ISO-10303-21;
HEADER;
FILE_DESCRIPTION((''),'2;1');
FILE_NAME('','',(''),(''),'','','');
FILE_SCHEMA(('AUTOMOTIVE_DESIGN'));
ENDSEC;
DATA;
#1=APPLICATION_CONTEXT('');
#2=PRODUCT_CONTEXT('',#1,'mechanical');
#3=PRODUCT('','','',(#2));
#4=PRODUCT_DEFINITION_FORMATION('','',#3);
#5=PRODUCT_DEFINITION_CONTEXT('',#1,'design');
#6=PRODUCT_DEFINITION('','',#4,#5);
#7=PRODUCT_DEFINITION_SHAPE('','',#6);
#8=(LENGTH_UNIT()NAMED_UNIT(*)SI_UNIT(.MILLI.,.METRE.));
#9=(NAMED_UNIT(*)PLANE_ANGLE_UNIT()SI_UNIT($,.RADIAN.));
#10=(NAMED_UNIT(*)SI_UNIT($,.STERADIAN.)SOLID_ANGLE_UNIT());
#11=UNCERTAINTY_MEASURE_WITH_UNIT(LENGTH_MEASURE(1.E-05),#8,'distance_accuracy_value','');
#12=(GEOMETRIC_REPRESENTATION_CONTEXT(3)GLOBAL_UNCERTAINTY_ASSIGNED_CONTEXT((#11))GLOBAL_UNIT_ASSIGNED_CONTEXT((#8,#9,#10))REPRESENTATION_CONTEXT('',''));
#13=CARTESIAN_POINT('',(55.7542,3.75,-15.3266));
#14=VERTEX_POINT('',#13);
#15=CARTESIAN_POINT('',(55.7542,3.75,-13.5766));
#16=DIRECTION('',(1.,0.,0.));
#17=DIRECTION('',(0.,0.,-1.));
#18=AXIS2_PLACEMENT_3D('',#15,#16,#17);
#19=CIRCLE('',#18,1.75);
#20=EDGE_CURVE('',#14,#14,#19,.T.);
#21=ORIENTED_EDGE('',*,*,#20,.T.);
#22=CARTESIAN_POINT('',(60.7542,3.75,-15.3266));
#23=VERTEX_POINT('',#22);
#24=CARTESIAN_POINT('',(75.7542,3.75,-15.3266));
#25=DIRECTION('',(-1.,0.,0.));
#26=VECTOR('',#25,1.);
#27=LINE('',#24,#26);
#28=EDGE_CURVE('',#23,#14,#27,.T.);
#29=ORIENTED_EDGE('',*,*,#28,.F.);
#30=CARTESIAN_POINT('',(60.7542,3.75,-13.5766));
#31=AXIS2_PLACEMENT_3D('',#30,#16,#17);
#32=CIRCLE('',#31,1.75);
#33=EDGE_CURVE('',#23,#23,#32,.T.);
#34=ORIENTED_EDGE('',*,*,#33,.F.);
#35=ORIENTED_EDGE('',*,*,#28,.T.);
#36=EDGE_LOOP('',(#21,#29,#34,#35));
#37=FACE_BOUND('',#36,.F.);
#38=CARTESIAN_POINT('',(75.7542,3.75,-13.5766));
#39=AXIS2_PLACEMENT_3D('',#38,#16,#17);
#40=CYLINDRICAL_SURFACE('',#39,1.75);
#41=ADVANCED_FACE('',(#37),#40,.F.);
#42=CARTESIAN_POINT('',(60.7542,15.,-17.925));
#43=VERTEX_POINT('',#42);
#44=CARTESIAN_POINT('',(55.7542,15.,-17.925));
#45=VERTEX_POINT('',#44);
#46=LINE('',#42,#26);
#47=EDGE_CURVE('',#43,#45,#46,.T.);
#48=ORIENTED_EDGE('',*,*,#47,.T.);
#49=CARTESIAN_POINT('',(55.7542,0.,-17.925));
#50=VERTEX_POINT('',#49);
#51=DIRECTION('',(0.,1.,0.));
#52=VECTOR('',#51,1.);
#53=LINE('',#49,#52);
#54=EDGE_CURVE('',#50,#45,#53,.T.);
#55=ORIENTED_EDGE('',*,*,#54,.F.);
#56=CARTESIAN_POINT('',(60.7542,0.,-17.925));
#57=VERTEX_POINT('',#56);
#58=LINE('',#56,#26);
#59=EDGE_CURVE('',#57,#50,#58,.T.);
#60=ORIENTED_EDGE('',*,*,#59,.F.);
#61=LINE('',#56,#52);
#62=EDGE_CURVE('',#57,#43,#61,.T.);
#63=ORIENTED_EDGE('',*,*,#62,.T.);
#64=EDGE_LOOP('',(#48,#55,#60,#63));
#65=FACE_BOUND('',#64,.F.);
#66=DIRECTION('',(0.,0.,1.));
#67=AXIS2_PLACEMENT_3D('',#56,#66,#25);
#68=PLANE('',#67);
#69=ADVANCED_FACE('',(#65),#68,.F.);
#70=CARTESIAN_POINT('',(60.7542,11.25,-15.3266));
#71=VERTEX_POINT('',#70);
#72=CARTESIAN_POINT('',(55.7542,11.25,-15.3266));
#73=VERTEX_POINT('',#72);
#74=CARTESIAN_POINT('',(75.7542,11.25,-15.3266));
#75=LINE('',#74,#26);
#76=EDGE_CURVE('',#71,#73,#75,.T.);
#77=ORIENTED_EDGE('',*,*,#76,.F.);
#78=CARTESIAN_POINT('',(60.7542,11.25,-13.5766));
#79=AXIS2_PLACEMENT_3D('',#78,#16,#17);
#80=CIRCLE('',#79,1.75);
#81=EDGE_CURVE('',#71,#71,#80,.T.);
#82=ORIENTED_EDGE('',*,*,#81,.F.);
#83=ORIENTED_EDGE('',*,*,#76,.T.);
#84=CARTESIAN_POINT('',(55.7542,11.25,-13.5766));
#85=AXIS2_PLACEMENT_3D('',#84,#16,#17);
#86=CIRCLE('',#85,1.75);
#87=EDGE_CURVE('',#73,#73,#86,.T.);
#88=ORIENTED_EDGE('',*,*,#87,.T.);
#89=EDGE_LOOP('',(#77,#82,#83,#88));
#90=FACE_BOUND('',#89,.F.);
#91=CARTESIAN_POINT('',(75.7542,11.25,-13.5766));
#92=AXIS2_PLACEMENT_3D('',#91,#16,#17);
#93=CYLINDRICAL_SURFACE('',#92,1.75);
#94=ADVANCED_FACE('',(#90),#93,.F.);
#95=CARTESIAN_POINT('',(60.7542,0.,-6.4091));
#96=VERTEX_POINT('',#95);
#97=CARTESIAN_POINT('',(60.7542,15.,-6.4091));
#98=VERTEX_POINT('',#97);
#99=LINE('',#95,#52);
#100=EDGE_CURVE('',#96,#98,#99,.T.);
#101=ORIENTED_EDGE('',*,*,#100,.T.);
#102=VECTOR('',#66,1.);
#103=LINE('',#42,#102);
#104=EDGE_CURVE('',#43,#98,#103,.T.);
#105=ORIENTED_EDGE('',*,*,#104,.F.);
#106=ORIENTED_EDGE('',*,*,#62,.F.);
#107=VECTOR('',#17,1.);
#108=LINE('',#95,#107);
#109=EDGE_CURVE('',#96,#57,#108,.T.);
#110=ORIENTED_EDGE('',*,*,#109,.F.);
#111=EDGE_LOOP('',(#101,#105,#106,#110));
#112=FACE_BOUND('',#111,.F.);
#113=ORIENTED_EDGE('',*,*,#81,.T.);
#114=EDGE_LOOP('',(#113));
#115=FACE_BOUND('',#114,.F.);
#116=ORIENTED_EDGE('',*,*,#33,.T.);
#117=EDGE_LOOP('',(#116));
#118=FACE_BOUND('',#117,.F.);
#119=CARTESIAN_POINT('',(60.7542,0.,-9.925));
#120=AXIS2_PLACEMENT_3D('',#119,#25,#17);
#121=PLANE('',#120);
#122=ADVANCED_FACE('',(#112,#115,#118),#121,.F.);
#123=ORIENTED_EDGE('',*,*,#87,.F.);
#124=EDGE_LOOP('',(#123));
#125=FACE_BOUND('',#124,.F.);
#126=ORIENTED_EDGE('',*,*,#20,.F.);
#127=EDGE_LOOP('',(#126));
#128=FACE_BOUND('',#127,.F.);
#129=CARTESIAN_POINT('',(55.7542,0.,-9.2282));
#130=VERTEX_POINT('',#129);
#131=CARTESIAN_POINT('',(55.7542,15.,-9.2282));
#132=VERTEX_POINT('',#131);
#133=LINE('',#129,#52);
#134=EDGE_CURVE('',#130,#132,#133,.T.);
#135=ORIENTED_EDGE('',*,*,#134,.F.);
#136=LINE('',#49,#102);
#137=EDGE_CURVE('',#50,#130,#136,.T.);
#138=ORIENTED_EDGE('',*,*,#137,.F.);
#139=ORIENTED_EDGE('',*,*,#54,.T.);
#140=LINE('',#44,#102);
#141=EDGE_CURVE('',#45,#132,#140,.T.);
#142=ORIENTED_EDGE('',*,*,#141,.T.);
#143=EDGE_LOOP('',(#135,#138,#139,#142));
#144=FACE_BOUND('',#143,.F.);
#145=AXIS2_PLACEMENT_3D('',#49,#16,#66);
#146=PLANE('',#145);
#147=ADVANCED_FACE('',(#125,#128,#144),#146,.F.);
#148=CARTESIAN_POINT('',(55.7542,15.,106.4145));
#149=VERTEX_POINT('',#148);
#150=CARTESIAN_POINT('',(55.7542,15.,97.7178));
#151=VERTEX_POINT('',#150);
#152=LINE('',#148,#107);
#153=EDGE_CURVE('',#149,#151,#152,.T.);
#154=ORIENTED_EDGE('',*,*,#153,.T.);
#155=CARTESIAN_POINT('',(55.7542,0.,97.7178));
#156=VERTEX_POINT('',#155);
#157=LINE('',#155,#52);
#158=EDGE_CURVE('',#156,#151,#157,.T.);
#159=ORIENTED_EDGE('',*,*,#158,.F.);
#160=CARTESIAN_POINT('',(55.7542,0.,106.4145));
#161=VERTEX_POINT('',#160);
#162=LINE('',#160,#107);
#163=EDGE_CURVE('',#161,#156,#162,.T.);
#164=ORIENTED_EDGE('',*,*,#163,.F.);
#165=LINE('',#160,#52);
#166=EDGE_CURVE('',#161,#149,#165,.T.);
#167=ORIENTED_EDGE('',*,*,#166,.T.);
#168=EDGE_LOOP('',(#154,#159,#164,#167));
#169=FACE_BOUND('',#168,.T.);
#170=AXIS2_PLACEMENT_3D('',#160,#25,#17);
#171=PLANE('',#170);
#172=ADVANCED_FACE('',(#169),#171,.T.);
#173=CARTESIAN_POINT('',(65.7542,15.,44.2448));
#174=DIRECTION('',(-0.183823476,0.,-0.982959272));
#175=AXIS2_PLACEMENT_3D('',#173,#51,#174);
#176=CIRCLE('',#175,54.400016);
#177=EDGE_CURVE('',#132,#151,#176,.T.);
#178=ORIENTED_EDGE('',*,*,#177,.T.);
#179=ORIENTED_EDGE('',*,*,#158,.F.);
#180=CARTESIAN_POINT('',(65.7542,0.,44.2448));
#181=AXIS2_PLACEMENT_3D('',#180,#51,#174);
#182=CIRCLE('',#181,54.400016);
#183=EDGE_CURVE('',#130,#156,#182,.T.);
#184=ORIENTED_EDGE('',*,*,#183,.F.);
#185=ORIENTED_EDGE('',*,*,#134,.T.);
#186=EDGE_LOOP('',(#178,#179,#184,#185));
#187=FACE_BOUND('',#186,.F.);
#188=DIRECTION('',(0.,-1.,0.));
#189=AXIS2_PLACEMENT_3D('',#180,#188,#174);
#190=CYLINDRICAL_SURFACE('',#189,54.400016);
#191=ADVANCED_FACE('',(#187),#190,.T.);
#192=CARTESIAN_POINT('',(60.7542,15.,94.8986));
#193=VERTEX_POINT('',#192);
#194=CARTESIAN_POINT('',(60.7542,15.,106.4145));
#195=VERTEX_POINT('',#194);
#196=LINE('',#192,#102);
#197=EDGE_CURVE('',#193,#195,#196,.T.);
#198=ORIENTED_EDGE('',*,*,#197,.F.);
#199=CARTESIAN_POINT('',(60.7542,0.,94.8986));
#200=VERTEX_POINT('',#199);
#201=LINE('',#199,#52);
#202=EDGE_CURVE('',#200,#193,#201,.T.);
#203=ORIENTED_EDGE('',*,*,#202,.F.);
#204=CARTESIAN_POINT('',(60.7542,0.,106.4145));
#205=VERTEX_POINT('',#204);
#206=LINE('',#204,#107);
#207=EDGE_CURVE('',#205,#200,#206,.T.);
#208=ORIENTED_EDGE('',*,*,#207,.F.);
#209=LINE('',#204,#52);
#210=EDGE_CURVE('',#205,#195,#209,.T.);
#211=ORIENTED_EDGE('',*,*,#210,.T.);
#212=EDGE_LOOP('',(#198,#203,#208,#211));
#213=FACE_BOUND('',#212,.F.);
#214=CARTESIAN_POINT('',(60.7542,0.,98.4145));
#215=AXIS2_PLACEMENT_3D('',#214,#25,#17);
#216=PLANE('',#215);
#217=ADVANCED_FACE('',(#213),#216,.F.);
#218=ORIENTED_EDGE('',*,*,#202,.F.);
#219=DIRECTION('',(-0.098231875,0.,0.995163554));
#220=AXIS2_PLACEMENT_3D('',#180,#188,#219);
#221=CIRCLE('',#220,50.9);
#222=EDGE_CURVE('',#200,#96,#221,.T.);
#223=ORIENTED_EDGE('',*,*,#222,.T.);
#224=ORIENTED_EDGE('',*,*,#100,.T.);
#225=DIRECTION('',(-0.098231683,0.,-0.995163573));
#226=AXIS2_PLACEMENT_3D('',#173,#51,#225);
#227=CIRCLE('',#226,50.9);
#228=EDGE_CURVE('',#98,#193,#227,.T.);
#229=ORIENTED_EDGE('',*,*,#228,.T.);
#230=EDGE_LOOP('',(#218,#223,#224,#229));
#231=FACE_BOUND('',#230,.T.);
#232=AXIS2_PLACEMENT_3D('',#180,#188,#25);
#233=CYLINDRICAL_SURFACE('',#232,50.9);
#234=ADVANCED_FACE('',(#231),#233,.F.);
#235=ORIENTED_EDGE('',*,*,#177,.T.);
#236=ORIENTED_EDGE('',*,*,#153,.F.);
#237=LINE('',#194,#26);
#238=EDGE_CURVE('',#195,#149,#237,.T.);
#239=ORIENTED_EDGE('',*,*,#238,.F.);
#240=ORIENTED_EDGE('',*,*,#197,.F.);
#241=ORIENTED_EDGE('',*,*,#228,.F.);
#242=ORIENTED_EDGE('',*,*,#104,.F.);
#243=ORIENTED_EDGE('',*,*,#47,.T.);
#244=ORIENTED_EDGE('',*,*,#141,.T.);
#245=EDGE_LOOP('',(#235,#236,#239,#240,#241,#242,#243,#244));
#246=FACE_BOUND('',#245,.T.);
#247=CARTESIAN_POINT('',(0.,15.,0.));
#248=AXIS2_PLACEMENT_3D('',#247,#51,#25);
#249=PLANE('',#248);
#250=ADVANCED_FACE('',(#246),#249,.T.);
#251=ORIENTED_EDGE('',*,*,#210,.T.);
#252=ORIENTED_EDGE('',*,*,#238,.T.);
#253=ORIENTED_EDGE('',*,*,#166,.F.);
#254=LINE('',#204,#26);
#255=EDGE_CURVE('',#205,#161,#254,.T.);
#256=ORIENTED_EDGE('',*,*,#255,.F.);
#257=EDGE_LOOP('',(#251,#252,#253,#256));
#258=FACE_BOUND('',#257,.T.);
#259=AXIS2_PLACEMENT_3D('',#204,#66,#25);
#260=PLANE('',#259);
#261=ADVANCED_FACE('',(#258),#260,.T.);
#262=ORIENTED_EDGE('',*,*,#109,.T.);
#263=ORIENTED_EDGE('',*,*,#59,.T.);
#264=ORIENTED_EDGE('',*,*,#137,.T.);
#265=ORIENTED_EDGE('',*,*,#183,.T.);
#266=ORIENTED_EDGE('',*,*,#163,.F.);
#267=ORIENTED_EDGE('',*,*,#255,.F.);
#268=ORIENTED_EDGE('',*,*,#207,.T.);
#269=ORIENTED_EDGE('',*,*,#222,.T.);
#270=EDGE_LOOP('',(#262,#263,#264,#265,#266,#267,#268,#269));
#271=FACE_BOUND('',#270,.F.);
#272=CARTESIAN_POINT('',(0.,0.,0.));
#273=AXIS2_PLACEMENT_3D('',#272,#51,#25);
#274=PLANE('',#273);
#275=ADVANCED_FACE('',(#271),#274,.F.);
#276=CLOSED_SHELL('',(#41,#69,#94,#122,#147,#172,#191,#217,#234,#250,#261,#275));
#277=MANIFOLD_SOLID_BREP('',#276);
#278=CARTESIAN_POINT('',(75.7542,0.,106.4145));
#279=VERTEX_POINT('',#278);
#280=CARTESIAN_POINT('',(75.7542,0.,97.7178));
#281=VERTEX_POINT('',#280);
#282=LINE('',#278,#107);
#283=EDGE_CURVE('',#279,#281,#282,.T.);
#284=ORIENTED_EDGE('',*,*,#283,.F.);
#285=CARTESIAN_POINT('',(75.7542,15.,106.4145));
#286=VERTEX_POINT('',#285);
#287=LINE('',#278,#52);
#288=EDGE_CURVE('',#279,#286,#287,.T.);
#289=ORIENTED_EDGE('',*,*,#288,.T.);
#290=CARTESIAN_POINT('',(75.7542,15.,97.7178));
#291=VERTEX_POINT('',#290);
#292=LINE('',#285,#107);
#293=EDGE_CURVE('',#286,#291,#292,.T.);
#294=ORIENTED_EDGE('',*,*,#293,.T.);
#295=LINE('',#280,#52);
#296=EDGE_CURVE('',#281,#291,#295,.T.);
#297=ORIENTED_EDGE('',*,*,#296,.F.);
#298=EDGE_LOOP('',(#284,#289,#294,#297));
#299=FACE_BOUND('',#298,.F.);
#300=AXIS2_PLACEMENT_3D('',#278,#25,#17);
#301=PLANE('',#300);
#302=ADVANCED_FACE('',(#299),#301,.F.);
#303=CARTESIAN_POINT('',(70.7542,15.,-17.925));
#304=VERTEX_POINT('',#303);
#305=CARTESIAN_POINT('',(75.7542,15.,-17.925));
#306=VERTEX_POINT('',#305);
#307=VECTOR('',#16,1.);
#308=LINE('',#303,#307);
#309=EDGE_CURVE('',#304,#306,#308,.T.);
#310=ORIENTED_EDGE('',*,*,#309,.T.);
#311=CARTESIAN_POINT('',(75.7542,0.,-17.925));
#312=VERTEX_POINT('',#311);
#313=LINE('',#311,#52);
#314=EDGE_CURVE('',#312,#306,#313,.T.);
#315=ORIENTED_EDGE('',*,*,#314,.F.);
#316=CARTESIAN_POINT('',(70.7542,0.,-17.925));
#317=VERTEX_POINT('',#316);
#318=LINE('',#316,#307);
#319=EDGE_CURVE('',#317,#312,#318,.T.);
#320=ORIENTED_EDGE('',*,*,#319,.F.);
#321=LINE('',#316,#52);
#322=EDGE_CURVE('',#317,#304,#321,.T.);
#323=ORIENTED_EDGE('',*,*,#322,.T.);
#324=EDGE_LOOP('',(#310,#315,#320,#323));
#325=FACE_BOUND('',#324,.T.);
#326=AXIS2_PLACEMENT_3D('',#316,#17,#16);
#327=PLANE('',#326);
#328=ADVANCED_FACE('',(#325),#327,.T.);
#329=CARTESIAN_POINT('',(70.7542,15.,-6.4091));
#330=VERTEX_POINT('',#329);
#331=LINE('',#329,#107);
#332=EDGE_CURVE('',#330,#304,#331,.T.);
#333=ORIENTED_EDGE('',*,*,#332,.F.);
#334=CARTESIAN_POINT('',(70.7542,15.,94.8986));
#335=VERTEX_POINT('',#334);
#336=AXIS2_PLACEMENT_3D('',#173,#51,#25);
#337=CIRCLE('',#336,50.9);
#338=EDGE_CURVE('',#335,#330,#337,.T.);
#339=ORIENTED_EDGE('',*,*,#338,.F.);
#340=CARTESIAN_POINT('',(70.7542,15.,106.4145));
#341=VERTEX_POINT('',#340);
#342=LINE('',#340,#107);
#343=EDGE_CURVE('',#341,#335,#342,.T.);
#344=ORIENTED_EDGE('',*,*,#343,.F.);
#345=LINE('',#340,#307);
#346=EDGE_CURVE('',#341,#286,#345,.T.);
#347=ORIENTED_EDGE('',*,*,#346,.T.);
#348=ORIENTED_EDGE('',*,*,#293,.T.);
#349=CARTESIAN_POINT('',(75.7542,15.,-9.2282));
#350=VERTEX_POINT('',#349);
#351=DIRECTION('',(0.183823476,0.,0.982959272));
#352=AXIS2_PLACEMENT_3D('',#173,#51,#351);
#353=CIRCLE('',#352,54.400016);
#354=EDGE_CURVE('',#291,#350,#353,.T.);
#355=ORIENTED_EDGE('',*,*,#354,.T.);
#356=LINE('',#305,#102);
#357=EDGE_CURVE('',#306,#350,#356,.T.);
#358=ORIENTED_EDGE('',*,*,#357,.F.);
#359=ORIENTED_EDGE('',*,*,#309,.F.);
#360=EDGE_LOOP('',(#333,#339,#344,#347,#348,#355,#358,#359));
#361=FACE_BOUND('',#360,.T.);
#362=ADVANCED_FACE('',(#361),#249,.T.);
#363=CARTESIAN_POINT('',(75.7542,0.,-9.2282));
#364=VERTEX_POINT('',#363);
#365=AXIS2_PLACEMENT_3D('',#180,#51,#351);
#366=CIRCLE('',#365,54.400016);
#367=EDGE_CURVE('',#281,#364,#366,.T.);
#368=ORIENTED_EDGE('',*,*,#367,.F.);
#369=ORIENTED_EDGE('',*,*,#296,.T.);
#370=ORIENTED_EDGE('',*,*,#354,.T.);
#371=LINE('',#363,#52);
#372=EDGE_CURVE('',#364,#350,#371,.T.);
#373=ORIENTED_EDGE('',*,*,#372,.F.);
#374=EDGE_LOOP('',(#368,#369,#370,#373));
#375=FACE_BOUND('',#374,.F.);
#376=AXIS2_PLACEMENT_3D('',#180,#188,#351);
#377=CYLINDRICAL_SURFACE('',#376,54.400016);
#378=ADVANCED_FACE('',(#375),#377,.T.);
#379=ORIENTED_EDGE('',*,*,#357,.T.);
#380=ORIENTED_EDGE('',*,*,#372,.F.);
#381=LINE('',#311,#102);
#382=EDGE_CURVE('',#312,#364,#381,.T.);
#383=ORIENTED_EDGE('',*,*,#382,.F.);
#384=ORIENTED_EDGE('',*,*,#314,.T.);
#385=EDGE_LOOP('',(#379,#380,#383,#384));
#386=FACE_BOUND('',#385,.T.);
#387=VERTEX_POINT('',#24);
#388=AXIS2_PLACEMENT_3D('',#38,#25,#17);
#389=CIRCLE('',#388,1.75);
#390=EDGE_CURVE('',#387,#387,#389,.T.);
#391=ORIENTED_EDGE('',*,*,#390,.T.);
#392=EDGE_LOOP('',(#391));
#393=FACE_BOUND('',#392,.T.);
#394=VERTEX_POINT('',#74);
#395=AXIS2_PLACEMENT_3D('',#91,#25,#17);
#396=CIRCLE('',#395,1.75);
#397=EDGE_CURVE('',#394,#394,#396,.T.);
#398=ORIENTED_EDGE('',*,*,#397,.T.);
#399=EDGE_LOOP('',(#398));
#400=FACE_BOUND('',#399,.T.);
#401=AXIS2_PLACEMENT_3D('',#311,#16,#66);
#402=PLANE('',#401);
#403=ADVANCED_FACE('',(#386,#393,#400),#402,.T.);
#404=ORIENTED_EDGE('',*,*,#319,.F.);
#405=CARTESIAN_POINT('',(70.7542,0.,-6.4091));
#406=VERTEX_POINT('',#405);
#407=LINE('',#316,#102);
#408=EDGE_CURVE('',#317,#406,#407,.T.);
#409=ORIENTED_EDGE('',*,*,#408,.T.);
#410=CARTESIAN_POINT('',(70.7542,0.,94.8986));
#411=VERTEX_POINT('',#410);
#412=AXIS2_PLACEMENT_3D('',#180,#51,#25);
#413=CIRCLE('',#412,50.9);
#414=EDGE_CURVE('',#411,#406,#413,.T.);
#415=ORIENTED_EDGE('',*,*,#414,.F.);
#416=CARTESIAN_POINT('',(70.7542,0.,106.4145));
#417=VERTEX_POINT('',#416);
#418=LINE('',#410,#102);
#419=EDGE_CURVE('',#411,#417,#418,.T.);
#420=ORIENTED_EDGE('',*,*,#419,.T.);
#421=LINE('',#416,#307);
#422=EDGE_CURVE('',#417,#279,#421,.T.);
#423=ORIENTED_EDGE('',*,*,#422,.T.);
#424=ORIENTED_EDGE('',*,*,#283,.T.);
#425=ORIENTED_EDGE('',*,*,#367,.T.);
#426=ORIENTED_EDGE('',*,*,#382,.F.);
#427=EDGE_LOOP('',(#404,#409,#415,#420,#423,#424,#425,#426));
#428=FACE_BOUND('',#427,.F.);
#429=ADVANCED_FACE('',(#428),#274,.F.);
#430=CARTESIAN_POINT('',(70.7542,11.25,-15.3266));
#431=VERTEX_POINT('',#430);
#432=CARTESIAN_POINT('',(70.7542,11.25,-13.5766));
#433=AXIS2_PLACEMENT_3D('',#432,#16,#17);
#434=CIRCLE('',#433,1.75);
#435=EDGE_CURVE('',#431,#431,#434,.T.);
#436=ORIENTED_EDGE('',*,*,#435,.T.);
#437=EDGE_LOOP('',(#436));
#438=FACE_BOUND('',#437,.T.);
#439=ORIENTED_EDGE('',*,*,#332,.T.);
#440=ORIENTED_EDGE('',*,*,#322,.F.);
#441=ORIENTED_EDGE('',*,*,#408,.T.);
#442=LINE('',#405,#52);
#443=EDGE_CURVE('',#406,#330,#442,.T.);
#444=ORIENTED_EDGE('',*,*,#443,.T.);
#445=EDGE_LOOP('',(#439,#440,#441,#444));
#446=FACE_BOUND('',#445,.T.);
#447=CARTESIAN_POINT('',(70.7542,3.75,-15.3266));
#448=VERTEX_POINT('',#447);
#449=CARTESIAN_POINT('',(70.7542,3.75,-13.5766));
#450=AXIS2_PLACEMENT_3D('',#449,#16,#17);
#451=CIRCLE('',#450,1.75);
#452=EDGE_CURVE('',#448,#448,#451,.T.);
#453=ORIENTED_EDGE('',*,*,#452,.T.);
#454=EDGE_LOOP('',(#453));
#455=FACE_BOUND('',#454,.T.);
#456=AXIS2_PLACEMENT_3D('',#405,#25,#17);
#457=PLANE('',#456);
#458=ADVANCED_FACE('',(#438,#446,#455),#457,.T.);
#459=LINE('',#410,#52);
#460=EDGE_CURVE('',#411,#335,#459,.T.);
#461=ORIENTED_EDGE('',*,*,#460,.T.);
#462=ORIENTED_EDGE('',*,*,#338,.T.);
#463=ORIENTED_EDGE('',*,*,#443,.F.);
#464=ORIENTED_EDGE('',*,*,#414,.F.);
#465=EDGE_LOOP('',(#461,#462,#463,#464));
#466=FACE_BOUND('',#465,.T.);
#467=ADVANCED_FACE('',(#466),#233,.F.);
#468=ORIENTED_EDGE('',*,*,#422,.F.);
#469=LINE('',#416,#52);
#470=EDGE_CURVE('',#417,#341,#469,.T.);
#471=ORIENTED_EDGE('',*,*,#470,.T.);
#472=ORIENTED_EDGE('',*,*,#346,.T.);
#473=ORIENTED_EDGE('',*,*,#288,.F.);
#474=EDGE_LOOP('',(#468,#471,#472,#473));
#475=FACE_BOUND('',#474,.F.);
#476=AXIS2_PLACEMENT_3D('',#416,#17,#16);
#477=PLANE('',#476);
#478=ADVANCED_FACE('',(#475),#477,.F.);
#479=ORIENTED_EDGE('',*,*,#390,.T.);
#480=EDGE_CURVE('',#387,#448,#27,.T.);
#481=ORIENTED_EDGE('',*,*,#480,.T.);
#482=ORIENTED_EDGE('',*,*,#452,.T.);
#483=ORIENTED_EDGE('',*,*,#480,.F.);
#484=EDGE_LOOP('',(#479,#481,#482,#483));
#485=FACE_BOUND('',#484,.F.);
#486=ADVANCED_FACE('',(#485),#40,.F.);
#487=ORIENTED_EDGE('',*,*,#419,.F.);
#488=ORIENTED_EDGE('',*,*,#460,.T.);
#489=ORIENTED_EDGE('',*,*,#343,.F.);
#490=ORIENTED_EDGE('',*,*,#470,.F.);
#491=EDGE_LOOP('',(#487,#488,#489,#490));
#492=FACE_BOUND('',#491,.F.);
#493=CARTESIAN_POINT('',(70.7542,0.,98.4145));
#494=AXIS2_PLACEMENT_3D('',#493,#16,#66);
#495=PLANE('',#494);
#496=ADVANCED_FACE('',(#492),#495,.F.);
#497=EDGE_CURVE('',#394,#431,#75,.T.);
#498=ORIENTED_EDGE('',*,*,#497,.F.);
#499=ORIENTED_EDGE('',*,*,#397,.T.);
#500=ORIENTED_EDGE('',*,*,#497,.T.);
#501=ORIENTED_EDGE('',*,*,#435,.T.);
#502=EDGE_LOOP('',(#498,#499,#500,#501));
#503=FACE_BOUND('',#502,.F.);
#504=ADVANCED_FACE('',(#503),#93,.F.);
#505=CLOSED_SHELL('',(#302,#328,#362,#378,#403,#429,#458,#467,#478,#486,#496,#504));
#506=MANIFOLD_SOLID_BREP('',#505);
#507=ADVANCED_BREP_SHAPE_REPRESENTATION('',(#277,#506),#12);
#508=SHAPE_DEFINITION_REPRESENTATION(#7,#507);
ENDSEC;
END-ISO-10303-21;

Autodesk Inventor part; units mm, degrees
ref_plane "YZ Plane" through (0, 0, 0) normal (1, 0, 0) x (0, 1, 0)
ref_plane "XZ Plane" through (0, 0, 0) normal (0, 1, 0) x (-1, 0, 0)
ref_plane "XY Plane" through (0, 0, 0) normal (0, 0, 1) x (1, 0, 0)
sketch "Sketch1" plane through (0, 0, 0) normal (0, 1, 0) x (-1, 0, 0)
  circle A0 centre (-65.7542, 44.2448) radius 50.8 projected
  circle A1 centre (-65.7542, 44.2448) radius 50.9
  line L0 (-65.7542, 98.6448) -> (-65.7542, -10.1552)
  line L1 (-70.7542, 98.4145) -> (-70.7542, 94.8986)
  line L2 (-70.7542, -6.4091) -> (-70.7542, -9.925)
  line L3 (-60.7542, 98.4145) -> (-60.7542, 94.8986)
  line L4 (-60.7542, -6.4091) -> (-60.7542, -9.925)
  line L5 (-60.7542, 98.4145) -> (-60.7542, 106.4145)
  line L6 (-60.7542, 106.4145) -> (-55.7542, 106.4145)
  line L7 (-55.7542, 106.4145) -> (-55.7542, 97.7178)
  line L8 (-70.7542, 98.4145) -> (-70.7542, 106.4145)
  line L9 (-70.7542, 106.4145) -> (-75.7542, 106.4145)
  line L10 (-75.7542, 106.4145) -> (-75.7542, 97.7178)
  arc A2 (-60.7542, 98.4145) -> (-70.7542, 98.4145) centre (-65.7542, 44.2448) ccw
  line L11 (-70.7542, -9.925) -> (-70.7542, -17.925)
  line L12 (-70.7542, -17.925) -> (-75.7542, -17.925)
  line L13 (-75.7542, -17.925) -> (-75.7542, -9.2282)
  line L14 (-60.7542, -9.925) -> (-60.7542, -17.925)
  line L15 (-60.7542, -17.925) -> (-55.7542, -17.925)
  line L16 (-55.7542, -17.925) -> (-55.7542, -9.2282)
  arc A3 (-55.7542, -9.2282) -> (-55.7542, 97.7178) centre (-65.7542, 44.2448) ccw
  arc A4 (-75.7542, 97.7178) -> (-75.7542, -9.2282) centre (-65.7542, 44.2448) ccw
  arc A5 (-70.7542, -9.925) -> (-60.7542, -9.925) centre (-65.7542, 44.2448) ccw
  point P0 (0, 0)
  dimension "d0" = 0.1
  dimension "d4" = 5
  dimension "d5" = 5
  dimension "d6" = 5
  dimension "d7" = 5
  dimension "d10" = 8
  dimension "d11" = 5
  dimension "d12" = 8
  dimension "d13" = 5
  dimension "d15" = 3.5
  dimension "d16" = 8
  dimension "d17" = 5
  dimension "d18" = 8
  dimension "d19" = 5
extrude "Extrusion1" add sketch "Sketch1" along normal blind 15 contours L3 L5 L6 L7 A3 L16 L15 L14 L4 A1 | A1 L2 L11 L12 L13 A4 L10 L9 L8 L1
sketch "Sketch2" plane through (75.7542, 0, 106.4145) normal (1, 0, 0) x (0, 0, -1)
  circle A0 centre (119.9911, 11.25) radius 1.75
  circle A1 centre (119.9911, 3.75) radius 1.75
  circle A2 centre (119.9911, 3.75) radius 3.5
  circle A3 centre (119.9911, 11.25) radius 3.5
  line L0 (115.6427, 15) -> (124.3395, 15) projected
  line L1 (119.9911, 15) -> (119.9911, 11.25)
  line L2 (119.9911, 11.25) -> (119.9911, 7.5)
  line L3 (119.9911, 7.5) -> (119.9911, 3.75)
  line L4 (119.9911, 3.75) -> (119.9911, 0)
  line L5 (124.3395, 0) -> (112.8236, 0) projected
  point P0 (106.4145, 0)
  dimension "d20" = 3.5
  dimension "d21" = 3.5
  dimension "d22" = 7
  dimension "d23" = 7
extrude "Extrusion2" cut sketch "Sketch2" against normal through all contours A0 L2 L1 | L1 L2 A0 | L3 L4 A1 | A1 L4 L3
properties part number "bottle clamp"
